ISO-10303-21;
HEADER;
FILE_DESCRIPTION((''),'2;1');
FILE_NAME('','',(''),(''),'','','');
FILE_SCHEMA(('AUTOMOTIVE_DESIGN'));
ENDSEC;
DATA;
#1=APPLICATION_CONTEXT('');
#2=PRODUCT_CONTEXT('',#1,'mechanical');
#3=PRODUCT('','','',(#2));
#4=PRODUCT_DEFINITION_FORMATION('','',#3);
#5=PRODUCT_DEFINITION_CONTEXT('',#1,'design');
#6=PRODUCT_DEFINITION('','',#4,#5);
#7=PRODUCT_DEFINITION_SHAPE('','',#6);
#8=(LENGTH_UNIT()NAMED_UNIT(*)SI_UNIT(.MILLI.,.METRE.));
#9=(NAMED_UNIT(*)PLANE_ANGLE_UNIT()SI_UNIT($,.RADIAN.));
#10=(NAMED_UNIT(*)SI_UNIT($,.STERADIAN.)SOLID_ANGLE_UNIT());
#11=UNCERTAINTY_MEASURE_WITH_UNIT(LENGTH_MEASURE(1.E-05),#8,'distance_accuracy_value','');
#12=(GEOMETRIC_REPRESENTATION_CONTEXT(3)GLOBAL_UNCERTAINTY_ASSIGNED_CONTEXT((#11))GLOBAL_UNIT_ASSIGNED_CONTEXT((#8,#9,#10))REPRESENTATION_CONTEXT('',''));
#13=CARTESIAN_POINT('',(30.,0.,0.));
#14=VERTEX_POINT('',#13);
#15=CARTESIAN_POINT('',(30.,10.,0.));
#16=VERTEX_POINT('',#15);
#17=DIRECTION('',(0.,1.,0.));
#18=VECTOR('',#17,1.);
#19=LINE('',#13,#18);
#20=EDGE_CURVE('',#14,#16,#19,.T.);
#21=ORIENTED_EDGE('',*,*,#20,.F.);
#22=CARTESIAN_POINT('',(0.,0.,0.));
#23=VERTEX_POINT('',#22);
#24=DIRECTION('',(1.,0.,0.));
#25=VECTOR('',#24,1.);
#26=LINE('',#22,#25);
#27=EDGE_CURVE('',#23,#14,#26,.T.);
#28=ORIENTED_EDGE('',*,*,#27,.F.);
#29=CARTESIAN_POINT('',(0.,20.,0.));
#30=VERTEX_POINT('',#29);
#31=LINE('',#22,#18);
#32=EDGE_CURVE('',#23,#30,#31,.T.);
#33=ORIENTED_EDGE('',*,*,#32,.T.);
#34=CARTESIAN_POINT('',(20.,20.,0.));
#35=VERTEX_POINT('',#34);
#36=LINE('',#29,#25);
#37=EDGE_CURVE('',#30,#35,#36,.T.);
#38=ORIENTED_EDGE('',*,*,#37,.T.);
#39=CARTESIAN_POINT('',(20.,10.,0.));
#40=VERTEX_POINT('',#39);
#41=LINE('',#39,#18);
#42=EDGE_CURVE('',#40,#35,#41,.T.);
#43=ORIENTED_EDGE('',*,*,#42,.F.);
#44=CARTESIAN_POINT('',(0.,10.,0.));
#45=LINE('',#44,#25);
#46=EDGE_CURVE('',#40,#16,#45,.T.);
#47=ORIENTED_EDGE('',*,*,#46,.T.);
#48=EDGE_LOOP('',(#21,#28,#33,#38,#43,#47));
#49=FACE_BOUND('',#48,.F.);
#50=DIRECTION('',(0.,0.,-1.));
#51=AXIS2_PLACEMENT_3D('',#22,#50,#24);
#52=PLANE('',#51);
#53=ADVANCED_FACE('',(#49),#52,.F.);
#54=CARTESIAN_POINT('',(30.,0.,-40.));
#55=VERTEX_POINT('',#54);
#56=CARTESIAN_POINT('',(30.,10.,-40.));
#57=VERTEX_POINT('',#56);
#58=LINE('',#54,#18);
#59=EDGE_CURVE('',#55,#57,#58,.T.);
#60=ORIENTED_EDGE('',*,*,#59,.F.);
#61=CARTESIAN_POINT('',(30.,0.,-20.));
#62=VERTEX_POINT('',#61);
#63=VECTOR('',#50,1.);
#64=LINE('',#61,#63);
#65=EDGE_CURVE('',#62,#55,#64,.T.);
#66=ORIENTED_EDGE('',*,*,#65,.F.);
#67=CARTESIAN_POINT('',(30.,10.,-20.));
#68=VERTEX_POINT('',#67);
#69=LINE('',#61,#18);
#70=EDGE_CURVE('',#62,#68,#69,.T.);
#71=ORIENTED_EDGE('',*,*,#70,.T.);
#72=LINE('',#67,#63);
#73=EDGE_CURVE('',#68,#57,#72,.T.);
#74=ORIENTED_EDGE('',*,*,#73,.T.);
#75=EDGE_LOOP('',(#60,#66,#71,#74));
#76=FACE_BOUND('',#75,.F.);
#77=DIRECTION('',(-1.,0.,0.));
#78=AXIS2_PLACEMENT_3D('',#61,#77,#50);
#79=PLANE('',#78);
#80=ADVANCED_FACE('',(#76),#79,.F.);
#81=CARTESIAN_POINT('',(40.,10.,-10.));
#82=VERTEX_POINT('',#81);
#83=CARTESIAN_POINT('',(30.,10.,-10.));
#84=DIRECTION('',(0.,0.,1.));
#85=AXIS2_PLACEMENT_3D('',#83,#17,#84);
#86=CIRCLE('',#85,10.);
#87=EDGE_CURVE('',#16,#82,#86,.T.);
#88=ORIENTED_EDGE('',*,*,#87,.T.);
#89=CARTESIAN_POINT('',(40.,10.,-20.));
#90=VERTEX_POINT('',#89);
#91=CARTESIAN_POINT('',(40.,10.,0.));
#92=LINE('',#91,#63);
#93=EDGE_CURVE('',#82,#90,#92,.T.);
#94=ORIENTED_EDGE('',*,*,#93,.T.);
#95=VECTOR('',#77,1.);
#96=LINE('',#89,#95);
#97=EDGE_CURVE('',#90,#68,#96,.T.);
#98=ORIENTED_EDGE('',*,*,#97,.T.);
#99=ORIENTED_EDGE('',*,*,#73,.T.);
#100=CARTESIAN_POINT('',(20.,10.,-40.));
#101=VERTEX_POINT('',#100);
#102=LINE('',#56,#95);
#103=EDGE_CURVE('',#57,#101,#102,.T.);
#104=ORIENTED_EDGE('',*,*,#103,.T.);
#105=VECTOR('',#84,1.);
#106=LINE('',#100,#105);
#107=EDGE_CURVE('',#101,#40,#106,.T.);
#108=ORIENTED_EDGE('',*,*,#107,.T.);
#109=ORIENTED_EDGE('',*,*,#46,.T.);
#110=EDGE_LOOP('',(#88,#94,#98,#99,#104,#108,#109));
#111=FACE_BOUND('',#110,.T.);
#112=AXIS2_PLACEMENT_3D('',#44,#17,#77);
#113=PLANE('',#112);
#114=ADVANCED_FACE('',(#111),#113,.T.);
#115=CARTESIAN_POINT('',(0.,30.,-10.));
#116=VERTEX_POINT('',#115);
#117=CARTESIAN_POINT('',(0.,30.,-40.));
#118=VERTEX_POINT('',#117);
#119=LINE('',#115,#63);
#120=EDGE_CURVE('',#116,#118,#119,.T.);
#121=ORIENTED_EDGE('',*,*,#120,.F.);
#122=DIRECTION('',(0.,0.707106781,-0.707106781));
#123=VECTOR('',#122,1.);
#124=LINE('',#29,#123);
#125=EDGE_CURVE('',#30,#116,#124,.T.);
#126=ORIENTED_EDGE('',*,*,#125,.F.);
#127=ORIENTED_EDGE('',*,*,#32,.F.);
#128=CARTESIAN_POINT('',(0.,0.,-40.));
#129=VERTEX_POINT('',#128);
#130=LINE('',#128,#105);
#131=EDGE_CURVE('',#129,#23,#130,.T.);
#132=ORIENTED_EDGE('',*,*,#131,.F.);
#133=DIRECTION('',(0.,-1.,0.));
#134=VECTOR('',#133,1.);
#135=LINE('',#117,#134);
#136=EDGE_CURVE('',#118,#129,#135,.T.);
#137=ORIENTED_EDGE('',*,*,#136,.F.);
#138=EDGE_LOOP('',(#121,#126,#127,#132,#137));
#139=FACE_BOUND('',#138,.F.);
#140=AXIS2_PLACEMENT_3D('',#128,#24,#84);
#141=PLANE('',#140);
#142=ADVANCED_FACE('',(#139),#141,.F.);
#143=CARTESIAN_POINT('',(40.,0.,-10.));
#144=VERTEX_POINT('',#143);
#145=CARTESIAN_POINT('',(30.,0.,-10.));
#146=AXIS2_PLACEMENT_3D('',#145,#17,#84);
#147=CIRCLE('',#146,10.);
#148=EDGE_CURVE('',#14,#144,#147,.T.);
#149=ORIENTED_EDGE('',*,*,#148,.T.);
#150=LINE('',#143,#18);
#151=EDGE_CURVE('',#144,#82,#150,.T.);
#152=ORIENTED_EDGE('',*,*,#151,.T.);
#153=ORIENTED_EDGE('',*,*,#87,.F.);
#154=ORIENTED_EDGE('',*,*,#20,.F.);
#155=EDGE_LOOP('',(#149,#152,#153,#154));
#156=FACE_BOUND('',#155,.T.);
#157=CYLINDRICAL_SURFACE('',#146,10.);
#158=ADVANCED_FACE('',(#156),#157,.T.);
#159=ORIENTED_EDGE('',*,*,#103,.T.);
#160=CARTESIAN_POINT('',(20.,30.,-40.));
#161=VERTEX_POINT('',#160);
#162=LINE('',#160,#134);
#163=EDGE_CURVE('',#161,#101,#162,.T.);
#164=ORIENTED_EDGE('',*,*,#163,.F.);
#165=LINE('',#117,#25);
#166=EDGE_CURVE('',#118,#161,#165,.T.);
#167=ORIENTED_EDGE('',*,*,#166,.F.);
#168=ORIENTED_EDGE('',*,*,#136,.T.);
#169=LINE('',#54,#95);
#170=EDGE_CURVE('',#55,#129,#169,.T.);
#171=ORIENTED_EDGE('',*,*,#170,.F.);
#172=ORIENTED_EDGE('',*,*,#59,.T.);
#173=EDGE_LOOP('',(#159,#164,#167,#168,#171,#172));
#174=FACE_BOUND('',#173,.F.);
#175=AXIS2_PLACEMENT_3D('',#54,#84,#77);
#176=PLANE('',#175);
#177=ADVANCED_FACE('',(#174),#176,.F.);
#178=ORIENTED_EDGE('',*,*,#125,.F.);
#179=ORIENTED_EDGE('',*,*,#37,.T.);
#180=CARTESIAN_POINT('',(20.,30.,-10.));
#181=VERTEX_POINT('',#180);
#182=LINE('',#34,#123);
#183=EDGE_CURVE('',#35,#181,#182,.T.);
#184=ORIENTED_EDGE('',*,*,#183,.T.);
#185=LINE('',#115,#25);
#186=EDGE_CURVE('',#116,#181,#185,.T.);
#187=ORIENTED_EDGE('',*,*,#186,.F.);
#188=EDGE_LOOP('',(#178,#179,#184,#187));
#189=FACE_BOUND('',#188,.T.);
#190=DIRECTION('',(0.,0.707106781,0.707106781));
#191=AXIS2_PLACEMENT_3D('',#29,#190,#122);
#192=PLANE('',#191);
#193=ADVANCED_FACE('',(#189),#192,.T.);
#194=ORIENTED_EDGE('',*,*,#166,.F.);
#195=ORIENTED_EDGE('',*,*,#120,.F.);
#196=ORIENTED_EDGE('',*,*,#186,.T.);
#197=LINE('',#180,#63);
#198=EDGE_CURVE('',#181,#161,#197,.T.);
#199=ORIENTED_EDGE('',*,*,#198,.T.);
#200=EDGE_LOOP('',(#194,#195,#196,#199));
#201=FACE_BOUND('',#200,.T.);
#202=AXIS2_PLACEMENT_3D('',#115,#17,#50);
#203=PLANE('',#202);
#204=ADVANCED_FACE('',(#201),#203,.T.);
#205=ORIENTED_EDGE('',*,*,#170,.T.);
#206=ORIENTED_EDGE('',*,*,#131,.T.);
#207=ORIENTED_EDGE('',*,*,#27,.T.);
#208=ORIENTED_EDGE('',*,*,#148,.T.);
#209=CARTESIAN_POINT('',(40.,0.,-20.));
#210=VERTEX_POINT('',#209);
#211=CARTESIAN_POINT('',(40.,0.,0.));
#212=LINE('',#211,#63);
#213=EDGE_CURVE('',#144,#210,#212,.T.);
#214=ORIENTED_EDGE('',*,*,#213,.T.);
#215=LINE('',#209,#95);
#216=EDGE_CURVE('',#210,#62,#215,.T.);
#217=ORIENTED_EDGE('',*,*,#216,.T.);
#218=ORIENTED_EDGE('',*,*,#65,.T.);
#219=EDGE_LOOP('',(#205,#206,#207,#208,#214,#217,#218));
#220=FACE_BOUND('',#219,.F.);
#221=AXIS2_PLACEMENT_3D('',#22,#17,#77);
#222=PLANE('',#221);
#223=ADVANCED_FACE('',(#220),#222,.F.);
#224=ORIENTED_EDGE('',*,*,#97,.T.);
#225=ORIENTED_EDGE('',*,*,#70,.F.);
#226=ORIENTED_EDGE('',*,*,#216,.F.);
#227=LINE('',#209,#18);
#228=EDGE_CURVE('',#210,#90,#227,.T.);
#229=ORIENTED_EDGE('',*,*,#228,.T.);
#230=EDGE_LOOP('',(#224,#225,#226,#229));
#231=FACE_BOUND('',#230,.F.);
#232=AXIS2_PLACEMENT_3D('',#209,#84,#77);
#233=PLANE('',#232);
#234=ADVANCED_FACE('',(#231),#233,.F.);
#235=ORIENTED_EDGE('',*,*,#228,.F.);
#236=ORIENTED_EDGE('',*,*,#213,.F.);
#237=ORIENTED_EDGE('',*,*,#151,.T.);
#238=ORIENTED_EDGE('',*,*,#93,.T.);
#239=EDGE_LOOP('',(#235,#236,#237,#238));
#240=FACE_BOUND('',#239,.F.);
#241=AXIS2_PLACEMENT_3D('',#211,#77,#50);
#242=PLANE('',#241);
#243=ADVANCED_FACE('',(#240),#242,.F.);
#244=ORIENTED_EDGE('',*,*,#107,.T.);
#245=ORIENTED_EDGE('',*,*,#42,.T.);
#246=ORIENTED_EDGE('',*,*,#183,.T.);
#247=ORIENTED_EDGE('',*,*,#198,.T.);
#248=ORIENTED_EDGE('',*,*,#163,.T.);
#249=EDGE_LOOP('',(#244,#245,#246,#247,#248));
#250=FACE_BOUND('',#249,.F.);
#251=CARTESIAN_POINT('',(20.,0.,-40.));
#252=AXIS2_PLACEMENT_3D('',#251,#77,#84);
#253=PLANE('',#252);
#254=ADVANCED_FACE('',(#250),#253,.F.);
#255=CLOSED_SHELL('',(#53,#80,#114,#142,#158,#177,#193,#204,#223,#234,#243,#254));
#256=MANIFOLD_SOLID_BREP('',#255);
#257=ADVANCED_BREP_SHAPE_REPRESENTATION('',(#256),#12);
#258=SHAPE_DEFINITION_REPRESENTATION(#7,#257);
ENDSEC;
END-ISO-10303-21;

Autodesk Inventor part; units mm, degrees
ref_plane "YZ Plane" through (0, 0, 0) normal (1, 0, 0) x (0, 1, 0)
ref_plane "XZ Plane" through (0, 0, 0) normal (0, 1, 0) x (-1, 0, 0)
ref_plane "XY Plane" through (0, 0, 0) normal (0, 0, 1) x (1, 0, 0)
sketch "草圖1" plane through (0, 0, 0) normal (0, 1, 0) x (-1, 0, 0)
  line L0 (0, 0) -> (-40, 0)
  line L1 (-40, 0) -> (-40, -20)
  line L2 (-30, -40) -> (0, -40)
  line L3 (0, -40) -> (0, 0)
  line L4 (-40, -20) -> (-30, -20)
  line L5 (-30, -20) -> (-30, -40)
  dimension "d0" = 20
  dimension "d1" = 40
  dimension "d2" = 10
  dimension "d3" = 40
extrude "擠出1" add sketch "草圖1" along normal blind 10
sketch "草圖2" plane through (0, 0, -40) normal (-1, 0, 0) x (0, 0, 1)
  line L0 (20, 10) -> (0, 10) projected
  line L1 (0, 10) -> (40, 10)
  line L2 (40, 10) -> (40, 20)
  line L3 (30, 30) -> (0, 30)
  line L4 (0, 30) -> (0, 10)
  line L5 (40, 20) -> (30, 30)
  line L6 (40, 0) -> (40, 10) projected
  line L7 (0, 0) -> (40, 0) projected
  dimension "d6" = 0
  dimension "d7" = 10
  dimension "d8" = 30
  dimension "d9" = 10
extrude "擠出2" add sketch "草圖2" against normal blind 20
fillet "圓角1" radius 10 1 edges at (40, 5, 0)
properties part number "47 (28785.398 mm^3)"
